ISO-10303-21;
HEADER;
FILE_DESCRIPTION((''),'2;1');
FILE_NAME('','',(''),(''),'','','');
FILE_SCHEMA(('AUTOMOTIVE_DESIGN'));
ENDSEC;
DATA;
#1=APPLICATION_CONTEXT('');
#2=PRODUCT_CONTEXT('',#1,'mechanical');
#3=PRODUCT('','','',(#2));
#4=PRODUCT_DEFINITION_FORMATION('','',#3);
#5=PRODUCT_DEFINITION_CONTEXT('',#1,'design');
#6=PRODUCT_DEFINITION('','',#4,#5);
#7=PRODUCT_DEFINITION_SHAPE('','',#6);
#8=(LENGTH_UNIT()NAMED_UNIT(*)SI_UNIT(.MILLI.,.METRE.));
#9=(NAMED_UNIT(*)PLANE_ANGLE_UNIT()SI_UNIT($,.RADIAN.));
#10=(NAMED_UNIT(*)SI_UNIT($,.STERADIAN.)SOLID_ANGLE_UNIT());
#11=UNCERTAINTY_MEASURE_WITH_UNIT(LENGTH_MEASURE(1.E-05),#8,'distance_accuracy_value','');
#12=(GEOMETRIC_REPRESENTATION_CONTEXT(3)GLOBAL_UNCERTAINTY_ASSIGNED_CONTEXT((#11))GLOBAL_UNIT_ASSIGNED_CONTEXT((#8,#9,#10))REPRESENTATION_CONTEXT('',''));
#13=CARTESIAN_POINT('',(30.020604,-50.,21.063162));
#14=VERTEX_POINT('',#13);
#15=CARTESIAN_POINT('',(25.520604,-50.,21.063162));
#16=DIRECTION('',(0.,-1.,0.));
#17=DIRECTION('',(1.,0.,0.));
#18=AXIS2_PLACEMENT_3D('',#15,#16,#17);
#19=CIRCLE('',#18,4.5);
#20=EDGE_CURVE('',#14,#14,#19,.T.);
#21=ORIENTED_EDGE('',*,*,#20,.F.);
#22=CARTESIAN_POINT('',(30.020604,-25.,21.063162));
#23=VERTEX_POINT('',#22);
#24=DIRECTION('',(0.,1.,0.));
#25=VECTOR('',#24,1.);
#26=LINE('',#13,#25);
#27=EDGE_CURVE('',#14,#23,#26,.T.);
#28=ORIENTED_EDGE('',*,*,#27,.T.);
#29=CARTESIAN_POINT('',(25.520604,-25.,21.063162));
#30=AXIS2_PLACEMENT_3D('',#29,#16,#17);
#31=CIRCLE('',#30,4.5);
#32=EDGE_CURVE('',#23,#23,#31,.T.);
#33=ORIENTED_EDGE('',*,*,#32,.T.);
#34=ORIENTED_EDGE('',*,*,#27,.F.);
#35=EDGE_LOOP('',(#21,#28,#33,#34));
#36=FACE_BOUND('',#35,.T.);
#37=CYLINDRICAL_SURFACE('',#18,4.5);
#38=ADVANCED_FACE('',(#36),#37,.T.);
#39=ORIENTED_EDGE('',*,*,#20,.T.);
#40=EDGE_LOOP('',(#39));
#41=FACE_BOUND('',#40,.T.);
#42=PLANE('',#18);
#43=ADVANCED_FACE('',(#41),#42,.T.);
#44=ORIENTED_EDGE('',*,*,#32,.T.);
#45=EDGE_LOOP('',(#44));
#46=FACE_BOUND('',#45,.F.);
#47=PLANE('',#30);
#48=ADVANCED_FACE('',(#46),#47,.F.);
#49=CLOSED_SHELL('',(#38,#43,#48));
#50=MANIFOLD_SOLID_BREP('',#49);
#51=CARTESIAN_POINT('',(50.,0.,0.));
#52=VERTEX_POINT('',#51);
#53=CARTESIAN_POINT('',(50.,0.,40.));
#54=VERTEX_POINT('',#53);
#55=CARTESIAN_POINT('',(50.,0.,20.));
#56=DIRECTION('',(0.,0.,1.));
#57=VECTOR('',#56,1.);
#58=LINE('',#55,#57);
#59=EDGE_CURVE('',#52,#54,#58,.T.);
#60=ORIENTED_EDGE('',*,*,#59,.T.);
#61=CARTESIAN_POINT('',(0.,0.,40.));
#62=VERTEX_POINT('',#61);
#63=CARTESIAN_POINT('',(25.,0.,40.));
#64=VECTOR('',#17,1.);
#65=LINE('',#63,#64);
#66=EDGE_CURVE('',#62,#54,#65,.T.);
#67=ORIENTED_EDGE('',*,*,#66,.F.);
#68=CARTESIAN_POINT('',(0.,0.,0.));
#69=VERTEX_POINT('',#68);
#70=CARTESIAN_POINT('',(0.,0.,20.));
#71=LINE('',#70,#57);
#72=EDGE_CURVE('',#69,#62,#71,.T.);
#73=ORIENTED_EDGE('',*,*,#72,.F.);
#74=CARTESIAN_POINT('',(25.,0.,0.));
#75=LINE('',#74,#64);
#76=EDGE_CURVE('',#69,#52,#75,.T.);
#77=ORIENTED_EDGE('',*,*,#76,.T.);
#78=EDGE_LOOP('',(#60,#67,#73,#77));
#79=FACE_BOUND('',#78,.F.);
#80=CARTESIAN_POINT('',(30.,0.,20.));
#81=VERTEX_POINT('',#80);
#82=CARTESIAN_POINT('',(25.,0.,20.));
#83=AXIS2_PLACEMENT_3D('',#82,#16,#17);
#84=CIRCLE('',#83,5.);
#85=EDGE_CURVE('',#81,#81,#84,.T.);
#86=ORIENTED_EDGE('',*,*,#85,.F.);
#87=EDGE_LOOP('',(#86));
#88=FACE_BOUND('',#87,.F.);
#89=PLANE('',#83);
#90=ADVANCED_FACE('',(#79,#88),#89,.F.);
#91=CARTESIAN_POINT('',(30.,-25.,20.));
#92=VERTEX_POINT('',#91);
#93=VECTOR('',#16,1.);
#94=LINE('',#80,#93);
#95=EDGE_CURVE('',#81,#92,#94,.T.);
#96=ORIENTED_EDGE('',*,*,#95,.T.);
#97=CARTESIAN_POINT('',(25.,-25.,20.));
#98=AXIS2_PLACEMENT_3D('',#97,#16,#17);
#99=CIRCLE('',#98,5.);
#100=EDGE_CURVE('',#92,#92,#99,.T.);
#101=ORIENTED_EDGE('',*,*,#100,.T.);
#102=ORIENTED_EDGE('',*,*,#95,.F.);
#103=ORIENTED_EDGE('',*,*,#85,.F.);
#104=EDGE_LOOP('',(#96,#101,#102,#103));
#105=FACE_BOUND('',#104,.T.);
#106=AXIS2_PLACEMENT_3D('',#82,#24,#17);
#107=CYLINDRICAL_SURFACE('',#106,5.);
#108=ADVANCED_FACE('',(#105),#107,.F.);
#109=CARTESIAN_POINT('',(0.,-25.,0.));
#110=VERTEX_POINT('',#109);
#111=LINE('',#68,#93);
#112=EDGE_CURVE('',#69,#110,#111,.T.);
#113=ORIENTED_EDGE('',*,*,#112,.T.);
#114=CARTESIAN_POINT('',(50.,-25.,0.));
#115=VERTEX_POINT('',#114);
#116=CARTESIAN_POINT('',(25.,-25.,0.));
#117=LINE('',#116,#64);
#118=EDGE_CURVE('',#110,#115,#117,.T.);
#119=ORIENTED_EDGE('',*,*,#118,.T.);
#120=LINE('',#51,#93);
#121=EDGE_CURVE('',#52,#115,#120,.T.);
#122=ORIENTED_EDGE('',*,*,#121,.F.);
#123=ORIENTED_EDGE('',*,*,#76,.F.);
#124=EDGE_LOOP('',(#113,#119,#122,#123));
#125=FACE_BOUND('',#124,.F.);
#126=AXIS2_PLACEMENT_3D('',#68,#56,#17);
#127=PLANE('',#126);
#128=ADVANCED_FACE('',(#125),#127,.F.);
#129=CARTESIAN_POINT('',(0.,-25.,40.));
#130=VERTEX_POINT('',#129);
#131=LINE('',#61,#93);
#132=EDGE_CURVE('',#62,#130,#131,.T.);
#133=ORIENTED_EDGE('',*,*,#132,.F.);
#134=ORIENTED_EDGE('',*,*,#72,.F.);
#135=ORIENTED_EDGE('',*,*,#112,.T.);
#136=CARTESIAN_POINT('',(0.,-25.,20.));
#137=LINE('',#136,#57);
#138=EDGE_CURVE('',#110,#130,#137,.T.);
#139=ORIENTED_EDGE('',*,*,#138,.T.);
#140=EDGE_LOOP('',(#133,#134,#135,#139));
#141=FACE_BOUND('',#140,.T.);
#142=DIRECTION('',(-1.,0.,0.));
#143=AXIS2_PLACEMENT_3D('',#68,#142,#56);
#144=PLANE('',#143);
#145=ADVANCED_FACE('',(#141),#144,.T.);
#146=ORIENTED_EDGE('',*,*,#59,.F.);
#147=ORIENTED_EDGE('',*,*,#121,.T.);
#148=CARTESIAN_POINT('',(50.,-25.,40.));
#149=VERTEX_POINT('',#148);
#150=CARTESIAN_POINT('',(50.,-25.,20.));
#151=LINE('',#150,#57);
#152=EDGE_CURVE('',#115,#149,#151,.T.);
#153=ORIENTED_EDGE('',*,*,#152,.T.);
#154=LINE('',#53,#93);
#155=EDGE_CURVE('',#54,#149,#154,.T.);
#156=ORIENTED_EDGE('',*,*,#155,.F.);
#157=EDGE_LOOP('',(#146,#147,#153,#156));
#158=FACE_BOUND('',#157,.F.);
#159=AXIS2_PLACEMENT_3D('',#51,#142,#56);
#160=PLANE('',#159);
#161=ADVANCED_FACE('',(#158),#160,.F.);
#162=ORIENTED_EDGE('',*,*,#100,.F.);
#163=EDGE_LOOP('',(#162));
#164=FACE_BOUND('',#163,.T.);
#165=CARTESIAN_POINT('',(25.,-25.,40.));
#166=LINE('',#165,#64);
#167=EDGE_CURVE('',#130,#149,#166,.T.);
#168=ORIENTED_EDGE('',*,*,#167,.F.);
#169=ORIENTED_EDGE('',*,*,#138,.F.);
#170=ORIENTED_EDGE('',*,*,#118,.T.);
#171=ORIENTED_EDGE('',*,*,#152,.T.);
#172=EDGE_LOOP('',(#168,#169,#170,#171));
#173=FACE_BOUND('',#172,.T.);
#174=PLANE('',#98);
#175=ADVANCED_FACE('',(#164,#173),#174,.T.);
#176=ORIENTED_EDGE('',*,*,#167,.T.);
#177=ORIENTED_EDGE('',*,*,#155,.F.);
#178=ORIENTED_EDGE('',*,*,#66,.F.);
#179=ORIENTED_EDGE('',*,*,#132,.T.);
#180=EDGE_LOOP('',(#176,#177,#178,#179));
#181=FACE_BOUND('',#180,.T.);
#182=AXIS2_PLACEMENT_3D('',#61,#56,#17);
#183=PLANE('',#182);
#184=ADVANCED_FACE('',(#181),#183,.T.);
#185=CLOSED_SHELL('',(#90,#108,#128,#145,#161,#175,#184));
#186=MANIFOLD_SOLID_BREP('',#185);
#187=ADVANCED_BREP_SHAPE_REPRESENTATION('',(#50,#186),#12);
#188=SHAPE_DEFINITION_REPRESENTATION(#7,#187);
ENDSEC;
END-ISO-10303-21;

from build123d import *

# Parameters (mm, degrees)
F0_W     = 50
F0_H     = 40
F0_R     = 5
F1_DEPTH = 25
F3_R     = 4.5
F4_DEPTH = 25


with BuildPart() as f1:
    # F0 (on Front) → F1 (new body)
    with BuildSketch(Plane.XZ):
        with Locations((25, 20)):
            Rectangle(F0_W, F0_H)
        with Locations((25, 20)):
            Circle(F0_R, mode=Mode.SUBTRACT)
    extrude(amount=F1_DEPTH)


with BuildPart() as f4:
    # F3 (on offset) → F4 (new body)
    with BuildSketch(Plane.XZ.offset(50)):
        with Locations((25.5206041038, 21.0631620139)):
            Circle(F3_R)
    extrude(amount=-F4_DEPTH)


solid = Compound([f1.part, f4.part])
